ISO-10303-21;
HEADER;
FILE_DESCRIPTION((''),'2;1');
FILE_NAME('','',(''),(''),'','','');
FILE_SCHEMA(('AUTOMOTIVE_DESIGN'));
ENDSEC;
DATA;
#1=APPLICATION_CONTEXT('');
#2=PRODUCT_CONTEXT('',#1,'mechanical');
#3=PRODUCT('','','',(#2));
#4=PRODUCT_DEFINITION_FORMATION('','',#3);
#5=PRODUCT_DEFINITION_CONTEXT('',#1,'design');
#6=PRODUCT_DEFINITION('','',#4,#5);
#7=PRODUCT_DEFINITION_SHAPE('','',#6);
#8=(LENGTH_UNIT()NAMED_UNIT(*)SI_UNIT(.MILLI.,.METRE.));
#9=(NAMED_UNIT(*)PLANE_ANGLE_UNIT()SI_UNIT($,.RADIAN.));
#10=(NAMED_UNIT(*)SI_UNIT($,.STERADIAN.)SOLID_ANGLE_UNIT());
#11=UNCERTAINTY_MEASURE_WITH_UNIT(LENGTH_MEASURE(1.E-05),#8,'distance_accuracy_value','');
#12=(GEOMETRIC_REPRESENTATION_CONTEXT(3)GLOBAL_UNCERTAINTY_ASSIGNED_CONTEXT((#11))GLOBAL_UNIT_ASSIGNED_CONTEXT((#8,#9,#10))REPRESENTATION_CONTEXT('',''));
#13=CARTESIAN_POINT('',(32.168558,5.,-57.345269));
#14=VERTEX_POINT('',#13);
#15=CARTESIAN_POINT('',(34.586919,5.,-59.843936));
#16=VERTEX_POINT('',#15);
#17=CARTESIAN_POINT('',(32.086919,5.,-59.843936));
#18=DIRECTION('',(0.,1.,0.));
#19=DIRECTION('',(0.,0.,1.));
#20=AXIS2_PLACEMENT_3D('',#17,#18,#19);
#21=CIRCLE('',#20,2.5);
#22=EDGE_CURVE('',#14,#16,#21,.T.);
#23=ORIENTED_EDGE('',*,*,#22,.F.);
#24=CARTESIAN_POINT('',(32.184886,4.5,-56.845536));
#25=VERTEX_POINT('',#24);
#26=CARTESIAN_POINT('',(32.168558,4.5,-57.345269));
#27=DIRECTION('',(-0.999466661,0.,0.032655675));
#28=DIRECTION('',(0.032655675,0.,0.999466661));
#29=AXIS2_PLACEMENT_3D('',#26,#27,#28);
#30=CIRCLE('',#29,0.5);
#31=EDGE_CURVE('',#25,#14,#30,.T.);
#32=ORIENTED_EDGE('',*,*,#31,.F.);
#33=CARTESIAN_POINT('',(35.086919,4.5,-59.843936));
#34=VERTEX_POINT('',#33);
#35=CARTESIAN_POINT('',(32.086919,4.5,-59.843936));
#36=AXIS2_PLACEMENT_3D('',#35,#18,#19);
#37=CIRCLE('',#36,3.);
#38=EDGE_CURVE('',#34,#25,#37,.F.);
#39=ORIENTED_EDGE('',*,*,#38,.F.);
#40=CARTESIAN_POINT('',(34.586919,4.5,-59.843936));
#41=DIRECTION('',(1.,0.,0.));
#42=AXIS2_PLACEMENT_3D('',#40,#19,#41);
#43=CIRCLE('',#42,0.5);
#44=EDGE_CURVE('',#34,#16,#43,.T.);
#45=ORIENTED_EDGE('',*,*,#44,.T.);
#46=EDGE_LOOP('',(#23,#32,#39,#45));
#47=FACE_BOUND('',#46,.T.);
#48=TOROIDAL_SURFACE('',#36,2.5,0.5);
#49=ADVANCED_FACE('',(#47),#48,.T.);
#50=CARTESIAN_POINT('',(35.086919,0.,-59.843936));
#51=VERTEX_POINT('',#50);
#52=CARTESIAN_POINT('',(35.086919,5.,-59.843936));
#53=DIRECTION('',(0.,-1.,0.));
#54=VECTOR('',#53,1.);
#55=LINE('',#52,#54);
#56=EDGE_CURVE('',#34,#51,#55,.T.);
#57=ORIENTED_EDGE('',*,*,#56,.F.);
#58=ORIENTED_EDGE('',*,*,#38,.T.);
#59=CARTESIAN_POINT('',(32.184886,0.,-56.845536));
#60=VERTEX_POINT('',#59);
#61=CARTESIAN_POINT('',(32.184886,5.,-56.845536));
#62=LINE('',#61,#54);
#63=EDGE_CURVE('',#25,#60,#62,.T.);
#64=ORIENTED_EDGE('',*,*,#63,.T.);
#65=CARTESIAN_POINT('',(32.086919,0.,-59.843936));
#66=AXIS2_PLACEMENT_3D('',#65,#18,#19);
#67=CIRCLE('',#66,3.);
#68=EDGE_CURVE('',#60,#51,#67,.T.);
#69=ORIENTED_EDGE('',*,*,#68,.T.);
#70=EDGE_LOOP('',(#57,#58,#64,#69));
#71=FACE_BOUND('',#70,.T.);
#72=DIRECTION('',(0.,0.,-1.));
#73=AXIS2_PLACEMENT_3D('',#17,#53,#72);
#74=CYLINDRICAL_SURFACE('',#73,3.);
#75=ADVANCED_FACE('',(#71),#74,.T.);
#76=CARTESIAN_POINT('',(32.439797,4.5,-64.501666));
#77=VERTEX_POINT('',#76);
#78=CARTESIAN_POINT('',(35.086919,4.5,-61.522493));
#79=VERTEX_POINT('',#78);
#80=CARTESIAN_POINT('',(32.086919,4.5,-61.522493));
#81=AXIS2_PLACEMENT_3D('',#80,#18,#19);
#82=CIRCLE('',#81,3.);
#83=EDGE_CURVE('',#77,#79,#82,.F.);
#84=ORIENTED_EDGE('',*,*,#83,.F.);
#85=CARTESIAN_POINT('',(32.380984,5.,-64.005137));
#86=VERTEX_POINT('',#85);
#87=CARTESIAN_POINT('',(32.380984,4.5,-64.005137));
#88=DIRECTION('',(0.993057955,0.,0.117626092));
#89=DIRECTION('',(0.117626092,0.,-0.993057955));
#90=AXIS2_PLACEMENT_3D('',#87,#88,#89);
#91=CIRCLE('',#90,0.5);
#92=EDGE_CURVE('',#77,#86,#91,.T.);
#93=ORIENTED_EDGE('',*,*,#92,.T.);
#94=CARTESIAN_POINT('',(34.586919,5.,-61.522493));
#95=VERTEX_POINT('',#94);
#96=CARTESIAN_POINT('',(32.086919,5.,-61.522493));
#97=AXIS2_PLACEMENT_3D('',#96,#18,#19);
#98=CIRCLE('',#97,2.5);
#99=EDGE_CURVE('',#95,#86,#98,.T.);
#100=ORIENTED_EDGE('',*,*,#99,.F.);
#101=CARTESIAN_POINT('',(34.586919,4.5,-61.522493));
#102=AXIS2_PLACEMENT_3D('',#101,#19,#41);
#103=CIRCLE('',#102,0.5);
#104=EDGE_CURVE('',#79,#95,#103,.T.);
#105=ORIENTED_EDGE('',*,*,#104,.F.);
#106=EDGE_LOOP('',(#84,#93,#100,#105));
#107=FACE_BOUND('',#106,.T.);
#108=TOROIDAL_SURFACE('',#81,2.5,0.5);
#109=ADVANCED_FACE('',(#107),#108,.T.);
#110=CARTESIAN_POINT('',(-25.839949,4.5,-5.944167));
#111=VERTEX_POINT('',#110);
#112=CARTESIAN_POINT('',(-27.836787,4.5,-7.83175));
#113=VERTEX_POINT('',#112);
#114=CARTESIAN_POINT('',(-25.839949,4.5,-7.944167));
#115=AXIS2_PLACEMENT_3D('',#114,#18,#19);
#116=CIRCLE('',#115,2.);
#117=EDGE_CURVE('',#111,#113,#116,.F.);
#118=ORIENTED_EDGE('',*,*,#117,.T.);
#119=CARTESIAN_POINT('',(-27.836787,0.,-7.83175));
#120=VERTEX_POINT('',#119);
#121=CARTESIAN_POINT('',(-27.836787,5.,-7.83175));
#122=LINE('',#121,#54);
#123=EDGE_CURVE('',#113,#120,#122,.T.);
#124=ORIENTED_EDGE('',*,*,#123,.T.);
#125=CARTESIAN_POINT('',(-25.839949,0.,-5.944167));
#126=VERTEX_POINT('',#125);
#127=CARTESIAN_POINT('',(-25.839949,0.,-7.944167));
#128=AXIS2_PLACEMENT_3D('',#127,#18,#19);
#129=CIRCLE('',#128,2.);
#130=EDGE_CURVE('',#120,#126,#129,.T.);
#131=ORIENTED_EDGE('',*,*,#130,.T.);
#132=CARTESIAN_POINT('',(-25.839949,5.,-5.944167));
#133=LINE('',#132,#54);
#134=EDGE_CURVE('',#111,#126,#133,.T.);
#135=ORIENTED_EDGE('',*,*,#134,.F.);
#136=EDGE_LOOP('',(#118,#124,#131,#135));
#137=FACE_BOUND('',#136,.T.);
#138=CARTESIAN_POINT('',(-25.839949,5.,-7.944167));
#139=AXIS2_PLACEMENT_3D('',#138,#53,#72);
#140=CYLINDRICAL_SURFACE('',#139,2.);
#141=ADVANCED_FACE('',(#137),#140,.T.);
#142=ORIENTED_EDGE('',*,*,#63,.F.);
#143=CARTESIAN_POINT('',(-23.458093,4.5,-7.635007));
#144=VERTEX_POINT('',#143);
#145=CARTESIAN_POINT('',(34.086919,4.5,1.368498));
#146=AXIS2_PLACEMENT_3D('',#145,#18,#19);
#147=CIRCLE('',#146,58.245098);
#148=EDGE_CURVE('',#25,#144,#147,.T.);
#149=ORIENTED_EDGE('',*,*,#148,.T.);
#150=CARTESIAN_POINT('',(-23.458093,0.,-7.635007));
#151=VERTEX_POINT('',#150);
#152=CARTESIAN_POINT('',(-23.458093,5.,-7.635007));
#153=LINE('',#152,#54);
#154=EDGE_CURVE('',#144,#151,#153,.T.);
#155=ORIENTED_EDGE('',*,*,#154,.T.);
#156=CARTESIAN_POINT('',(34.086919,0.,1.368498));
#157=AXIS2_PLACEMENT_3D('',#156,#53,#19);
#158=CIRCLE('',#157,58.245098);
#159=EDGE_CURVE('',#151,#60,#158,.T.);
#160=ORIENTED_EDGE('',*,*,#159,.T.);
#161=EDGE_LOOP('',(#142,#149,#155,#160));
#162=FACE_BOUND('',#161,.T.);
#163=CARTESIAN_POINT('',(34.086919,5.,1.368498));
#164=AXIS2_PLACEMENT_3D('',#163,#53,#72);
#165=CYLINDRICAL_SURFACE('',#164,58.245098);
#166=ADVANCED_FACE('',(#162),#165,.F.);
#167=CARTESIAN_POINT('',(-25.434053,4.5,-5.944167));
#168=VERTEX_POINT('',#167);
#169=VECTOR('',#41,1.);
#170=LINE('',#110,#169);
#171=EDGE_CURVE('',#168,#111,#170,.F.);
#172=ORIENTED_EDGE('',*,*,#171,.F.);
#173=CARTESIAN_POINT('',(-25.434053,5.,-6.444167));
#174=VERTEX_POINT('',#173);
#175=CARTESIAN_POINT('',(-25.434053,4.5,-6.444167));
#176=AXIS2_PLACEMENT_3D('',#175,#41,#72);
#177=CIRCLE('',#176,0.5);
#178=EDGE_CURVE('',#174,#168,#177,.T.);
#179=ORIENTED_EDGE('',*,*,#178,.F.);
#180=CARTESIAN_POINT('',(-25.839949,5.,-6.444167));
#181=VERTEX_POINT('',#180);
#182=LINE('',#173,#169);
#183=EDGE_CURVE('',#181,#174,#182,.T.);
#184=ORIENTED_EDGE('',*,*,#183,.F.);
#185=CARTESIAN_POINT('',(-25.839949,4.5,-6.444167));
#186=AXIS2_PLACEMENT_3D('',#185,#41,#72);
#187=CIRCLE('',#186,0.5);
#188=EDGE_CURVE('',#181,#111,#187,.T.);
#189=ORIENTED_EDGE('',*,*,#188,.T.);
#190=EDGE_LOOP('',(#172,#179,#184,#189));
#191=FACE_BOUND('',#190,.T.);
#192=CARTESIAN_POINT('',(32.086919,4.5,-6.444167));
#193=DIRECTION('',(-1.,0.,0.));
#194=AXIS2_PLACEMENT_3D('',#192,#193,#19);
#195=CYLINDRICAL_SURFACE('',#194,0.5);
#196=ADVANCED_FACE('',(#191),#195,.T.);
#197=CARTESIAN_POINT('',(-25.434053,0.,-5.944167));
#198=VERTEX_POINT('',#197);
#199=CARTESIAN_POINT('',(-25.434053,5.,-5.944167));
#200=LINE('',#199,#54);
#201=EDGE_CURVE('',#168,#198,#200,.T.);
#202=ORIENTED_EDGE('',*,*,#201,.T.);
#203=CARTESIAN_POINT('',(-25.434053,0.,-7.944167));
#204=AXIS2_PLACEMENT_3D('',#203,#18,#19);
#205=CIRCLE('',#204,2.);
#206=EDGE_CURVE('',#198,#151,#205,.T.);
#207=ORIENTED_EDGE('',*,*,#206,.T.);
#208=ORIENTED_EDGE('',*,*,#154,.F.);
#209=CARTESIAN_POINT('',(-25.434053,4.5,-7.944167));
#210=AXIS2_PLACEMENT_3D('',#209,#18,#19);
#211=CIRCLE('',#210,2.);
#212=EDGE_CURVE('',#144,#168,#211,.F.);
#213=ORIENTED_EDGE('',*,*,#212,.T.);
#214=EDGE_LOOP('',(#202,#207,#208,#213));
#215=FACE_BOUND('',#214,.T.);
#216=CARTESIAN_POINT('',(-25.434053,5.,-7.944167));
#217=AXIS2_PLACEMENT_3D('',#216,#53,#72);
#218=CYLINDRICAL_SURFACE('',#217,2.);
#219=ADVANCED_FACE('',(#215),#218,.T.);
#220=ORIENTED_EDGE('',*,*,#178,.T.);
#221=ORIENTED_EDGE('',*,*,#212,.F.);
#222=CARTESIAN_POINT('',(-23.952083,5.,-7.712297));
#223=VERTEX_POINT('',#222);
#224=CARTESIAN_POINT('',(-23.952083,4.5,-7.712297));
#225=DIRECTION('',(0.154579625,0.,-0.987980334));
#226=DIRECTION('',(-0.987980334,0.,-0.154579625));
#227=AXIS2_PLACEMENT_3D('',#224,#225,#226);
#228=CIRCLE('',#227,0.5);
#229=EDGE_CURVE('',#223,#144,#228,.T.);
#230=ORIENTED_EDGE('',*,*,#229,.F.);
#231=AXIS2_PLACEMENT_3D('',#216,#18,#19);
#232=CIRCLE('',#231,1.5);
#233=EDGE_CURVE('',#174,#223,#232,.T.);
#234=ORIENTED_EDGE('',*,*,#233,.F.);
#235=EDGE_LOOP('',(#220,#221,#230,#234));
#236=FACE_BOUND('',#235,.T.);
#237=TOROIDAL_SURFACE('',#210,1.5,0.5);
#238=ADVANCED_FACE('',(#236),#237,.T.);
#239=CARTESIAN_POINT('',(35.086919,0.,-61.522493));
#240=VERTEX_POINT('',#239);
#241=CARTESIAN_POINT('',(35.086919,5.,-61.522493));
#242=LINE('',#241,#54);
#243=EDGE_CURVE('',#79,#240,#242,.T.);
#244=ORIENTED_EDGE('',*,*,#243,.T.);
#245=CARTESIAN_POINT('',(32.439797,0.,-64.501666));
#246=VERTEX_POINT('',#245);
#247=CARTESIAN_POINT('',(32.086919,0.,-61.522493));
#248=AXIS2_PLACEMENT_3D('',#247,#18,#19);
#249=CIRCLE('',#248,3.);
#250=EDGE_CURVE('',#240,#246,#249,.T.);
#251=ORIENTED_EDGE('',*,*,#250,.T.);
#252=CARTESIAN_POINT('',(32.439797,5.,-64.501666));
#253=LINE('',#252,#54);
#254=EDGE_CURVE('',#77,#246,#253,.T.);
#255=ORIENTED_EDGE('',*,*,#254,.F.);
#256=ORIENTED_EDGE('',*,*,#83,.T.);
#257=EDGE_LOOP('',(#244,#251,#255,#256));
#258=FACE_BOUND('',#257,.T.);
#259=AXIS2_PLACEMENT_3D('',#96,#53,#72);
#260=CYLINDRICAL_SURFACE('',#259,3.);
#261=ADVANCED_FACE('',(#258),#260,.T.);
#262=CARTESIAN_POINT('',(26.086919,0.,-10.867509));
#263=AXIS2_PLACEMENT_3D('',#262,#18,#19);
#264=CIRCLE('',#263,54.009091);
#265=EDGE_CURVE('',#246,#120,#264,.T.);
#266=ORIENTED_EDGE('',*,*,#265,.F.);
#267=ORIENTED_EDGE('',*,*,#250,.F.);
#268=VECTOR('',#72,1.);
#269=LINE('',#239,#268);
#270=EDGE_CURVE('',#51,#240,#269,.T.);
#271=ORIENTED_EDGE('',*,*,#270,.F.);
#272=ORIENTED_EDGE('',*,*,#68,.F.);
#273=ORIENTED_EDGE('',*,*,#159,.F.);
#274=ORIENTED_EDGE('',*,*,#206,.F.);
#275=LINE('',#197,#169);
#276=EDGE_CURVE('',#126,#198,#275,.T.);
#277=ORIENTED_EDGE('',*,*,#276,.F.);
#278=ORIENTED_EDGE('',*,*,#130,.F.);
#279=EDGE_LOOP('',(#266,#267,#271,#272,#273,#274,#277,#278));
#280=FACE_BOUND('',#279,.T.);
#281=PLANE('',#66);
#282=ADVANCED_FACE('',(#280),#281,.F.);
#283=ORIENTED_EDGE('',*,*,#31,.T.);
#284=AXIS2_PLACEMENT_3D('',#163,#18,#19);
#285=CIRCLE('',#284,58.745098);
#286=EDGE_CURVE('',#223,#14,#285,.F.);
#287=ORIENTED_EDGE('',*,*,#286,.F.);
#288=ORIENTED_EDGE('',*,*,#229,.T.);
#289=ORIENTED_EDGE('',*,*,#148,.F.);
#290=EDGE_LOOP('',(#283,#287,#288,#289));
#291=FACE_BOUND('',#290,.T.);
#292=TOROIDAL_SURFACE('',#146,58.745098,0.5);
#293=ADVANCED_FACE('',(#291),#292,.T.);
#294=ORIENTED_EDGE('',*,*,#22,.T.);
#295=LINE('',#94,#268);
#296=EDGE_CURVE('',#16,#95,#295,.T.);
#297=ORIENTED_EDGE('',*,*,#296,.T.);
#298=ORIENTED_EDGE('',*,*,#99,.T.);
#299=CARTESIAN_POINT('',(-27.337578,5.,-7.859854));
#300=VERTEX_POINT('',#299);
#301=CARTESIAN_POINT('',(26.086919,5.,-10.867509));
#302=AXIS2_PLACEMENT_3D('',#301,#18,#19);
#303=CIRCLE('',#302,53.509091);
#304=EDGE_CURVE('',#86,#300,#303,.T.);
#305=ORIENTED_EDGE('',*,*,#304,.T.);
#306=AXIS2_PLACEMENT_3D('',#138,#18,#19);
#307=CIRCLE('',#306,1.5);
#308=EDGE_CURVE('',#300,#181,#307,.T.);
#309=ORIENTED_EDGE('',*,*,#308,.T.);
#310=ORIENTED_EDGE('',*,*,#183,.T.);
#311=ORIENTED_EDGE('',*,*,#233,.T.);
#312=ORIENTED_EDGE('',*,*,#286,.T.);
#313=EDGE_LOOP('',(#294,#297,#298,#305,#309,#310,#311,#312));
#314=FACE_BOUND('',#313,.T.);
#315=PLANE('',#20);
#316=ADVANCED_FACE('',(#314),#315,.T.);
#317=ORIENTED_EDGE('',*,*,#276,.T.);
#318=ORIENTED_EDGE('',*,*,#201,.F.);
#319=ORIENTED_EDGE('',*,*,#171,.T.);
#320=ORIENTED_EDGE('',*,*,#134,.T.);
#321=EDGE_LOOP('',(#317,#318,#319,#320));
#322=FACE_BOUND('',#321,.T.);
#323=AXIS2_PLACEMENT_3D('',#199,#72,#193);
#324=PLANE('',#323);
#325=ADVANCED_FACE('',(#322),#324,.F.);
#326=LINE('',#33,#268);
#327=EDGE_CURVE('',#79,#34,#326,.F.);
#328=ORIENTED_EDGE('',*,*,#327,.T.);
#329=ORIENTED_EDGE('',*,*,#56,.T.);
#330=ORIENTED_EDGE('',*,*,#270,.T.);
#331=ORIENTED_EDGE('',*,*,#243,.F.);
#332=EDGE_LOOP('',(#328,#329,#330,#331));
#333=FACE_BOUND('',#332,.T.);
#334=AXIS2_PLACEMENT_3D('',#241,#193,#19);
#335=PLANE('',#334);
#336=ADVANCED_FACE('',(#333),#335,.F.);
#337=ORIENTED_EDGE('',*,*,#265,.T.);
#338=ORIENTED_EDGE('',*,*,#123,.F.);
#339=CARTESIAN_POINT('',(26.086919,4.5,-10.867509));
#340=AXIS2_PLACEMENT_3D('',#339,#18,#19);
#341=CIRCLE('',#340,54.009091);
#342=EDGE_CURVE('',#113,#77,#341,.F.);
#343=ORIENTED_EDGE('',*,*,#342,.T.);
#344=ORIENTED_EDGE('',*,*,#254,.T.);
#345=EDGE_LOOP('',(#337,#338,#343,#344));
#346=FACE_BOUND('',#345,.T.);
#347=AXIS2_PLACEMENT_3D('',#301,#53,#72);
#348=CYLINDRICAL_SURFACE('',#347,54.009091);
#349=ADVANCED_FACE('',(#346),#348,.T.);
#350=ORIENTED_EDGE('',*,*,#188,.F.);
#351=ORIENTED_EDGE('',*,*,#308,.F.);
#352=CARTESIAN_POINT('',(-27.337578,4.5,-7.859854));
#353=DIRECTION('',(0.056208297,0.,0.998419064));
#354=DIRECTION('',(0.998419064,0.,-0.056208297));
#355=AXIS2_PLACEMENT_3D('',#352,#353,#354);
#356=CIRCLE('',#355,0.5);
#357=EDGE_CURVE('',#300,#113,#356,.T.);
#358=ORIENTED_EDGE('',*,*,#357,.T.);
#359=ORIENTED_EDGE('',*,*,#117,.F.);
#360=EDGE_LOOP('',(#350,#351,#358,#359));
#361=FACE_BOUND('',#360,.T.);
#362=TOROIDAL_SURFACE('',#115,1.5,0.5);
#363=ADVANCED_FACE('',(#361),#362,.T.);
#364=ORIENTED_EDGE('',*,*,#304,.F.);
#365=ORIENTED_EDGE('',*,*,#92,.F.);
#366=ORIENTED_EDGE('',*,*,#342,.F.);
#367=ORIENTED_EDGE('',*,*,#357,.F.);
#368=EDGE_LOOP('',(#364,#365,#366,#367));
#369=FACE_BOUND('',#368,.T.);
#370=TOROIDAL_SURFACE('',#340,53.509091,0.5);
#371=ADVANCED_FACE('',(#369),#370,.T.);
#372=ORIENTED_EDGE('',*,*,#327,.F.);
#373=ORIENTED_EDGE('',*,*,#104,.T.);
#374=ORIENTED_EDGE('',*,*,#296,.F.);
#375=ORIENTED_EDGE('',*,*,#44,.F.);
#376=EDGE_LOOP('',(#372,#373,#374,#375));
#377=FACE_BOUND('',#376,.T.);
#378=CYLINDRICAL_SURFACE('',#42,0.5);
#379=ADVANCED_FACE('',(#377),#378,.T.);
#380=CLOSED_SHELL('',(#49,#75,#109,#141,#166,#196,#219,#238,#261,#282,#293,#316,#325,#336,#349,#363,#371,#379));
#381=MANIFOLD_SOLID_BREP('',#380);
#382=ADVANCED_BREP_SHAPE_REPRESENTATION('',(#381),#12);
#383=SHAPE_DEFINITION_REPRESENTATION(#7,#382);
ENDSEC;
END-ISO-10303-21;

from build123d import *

# Parameters (mm, degrees)
EXTRUDE_1_DEPTH = 5
FILLET_1_R      = 0.5


with BuildPart() as part:
    # Эскиз1 → Бобышка-Вытянуть1 (new body)
    with BuildSketch(Plane(origin=(0, 0, 0), x_dir=(1, 0, 0), z_dir=(0, 1, 0))):
        with BuildLine():
            Line((-25.434053198, 5.944166553), (-25.839949009, 5.944166553))
            ThreePointArc((-25.839949009, 5.944166553), (-27.213842529, 6.49075106), (-27.836787137, 7.831749958))
            ThreePointArc((-27.836787137, 7.831749958), (-10.907888473, 50.216792744), (32.43979713, 64.501666381))
            ThreePointArc((32.43979713, 64.501666381), (34.329532824, 63.515149683), (35.086918855, 61.522492515))
            Line((35.086918855, 61.522492515), (35.086918855, 59.843935519))
            ThreePointArc((35.086918855, 59.843935519), (34.242597527, 57.757539233), (32.184885879, 56.845535535))
            ThreePointArc((32.184885879, 56.845535535), (-4.499436157, 42.261590709), (-23.458092531, 7.635007302))
            ThreePointArc((-23.458092531, 7.635007302), (-24.133729873, 6.424574749), (-25.434053198, 5.944166553))
        make_face()
    extrude(amount=EXTRUDE_1_DEPTH)

    # Скругление1
    fillet_1_edges = [part.edges().sort_by_distance(p)[0] for p in [
        (34.329532824, 5, -63.515149683),
        (-10.907888473, 5, -50.216792744),
        (-27.213842529, 5, -6.49075106),
        (-25.637001104, 5, -5.944166553),
        (-24.133729873, 5, -6.424574749),
        (-4.499436157, 5, -42.261590709),
        (34.242597527, 5, -57.757539233),
        (35.086918855, 5, -60.683214017),
    ]]
    fillet(fillet_1_edges, radius=FILLET_1_R)


solid = part.part
